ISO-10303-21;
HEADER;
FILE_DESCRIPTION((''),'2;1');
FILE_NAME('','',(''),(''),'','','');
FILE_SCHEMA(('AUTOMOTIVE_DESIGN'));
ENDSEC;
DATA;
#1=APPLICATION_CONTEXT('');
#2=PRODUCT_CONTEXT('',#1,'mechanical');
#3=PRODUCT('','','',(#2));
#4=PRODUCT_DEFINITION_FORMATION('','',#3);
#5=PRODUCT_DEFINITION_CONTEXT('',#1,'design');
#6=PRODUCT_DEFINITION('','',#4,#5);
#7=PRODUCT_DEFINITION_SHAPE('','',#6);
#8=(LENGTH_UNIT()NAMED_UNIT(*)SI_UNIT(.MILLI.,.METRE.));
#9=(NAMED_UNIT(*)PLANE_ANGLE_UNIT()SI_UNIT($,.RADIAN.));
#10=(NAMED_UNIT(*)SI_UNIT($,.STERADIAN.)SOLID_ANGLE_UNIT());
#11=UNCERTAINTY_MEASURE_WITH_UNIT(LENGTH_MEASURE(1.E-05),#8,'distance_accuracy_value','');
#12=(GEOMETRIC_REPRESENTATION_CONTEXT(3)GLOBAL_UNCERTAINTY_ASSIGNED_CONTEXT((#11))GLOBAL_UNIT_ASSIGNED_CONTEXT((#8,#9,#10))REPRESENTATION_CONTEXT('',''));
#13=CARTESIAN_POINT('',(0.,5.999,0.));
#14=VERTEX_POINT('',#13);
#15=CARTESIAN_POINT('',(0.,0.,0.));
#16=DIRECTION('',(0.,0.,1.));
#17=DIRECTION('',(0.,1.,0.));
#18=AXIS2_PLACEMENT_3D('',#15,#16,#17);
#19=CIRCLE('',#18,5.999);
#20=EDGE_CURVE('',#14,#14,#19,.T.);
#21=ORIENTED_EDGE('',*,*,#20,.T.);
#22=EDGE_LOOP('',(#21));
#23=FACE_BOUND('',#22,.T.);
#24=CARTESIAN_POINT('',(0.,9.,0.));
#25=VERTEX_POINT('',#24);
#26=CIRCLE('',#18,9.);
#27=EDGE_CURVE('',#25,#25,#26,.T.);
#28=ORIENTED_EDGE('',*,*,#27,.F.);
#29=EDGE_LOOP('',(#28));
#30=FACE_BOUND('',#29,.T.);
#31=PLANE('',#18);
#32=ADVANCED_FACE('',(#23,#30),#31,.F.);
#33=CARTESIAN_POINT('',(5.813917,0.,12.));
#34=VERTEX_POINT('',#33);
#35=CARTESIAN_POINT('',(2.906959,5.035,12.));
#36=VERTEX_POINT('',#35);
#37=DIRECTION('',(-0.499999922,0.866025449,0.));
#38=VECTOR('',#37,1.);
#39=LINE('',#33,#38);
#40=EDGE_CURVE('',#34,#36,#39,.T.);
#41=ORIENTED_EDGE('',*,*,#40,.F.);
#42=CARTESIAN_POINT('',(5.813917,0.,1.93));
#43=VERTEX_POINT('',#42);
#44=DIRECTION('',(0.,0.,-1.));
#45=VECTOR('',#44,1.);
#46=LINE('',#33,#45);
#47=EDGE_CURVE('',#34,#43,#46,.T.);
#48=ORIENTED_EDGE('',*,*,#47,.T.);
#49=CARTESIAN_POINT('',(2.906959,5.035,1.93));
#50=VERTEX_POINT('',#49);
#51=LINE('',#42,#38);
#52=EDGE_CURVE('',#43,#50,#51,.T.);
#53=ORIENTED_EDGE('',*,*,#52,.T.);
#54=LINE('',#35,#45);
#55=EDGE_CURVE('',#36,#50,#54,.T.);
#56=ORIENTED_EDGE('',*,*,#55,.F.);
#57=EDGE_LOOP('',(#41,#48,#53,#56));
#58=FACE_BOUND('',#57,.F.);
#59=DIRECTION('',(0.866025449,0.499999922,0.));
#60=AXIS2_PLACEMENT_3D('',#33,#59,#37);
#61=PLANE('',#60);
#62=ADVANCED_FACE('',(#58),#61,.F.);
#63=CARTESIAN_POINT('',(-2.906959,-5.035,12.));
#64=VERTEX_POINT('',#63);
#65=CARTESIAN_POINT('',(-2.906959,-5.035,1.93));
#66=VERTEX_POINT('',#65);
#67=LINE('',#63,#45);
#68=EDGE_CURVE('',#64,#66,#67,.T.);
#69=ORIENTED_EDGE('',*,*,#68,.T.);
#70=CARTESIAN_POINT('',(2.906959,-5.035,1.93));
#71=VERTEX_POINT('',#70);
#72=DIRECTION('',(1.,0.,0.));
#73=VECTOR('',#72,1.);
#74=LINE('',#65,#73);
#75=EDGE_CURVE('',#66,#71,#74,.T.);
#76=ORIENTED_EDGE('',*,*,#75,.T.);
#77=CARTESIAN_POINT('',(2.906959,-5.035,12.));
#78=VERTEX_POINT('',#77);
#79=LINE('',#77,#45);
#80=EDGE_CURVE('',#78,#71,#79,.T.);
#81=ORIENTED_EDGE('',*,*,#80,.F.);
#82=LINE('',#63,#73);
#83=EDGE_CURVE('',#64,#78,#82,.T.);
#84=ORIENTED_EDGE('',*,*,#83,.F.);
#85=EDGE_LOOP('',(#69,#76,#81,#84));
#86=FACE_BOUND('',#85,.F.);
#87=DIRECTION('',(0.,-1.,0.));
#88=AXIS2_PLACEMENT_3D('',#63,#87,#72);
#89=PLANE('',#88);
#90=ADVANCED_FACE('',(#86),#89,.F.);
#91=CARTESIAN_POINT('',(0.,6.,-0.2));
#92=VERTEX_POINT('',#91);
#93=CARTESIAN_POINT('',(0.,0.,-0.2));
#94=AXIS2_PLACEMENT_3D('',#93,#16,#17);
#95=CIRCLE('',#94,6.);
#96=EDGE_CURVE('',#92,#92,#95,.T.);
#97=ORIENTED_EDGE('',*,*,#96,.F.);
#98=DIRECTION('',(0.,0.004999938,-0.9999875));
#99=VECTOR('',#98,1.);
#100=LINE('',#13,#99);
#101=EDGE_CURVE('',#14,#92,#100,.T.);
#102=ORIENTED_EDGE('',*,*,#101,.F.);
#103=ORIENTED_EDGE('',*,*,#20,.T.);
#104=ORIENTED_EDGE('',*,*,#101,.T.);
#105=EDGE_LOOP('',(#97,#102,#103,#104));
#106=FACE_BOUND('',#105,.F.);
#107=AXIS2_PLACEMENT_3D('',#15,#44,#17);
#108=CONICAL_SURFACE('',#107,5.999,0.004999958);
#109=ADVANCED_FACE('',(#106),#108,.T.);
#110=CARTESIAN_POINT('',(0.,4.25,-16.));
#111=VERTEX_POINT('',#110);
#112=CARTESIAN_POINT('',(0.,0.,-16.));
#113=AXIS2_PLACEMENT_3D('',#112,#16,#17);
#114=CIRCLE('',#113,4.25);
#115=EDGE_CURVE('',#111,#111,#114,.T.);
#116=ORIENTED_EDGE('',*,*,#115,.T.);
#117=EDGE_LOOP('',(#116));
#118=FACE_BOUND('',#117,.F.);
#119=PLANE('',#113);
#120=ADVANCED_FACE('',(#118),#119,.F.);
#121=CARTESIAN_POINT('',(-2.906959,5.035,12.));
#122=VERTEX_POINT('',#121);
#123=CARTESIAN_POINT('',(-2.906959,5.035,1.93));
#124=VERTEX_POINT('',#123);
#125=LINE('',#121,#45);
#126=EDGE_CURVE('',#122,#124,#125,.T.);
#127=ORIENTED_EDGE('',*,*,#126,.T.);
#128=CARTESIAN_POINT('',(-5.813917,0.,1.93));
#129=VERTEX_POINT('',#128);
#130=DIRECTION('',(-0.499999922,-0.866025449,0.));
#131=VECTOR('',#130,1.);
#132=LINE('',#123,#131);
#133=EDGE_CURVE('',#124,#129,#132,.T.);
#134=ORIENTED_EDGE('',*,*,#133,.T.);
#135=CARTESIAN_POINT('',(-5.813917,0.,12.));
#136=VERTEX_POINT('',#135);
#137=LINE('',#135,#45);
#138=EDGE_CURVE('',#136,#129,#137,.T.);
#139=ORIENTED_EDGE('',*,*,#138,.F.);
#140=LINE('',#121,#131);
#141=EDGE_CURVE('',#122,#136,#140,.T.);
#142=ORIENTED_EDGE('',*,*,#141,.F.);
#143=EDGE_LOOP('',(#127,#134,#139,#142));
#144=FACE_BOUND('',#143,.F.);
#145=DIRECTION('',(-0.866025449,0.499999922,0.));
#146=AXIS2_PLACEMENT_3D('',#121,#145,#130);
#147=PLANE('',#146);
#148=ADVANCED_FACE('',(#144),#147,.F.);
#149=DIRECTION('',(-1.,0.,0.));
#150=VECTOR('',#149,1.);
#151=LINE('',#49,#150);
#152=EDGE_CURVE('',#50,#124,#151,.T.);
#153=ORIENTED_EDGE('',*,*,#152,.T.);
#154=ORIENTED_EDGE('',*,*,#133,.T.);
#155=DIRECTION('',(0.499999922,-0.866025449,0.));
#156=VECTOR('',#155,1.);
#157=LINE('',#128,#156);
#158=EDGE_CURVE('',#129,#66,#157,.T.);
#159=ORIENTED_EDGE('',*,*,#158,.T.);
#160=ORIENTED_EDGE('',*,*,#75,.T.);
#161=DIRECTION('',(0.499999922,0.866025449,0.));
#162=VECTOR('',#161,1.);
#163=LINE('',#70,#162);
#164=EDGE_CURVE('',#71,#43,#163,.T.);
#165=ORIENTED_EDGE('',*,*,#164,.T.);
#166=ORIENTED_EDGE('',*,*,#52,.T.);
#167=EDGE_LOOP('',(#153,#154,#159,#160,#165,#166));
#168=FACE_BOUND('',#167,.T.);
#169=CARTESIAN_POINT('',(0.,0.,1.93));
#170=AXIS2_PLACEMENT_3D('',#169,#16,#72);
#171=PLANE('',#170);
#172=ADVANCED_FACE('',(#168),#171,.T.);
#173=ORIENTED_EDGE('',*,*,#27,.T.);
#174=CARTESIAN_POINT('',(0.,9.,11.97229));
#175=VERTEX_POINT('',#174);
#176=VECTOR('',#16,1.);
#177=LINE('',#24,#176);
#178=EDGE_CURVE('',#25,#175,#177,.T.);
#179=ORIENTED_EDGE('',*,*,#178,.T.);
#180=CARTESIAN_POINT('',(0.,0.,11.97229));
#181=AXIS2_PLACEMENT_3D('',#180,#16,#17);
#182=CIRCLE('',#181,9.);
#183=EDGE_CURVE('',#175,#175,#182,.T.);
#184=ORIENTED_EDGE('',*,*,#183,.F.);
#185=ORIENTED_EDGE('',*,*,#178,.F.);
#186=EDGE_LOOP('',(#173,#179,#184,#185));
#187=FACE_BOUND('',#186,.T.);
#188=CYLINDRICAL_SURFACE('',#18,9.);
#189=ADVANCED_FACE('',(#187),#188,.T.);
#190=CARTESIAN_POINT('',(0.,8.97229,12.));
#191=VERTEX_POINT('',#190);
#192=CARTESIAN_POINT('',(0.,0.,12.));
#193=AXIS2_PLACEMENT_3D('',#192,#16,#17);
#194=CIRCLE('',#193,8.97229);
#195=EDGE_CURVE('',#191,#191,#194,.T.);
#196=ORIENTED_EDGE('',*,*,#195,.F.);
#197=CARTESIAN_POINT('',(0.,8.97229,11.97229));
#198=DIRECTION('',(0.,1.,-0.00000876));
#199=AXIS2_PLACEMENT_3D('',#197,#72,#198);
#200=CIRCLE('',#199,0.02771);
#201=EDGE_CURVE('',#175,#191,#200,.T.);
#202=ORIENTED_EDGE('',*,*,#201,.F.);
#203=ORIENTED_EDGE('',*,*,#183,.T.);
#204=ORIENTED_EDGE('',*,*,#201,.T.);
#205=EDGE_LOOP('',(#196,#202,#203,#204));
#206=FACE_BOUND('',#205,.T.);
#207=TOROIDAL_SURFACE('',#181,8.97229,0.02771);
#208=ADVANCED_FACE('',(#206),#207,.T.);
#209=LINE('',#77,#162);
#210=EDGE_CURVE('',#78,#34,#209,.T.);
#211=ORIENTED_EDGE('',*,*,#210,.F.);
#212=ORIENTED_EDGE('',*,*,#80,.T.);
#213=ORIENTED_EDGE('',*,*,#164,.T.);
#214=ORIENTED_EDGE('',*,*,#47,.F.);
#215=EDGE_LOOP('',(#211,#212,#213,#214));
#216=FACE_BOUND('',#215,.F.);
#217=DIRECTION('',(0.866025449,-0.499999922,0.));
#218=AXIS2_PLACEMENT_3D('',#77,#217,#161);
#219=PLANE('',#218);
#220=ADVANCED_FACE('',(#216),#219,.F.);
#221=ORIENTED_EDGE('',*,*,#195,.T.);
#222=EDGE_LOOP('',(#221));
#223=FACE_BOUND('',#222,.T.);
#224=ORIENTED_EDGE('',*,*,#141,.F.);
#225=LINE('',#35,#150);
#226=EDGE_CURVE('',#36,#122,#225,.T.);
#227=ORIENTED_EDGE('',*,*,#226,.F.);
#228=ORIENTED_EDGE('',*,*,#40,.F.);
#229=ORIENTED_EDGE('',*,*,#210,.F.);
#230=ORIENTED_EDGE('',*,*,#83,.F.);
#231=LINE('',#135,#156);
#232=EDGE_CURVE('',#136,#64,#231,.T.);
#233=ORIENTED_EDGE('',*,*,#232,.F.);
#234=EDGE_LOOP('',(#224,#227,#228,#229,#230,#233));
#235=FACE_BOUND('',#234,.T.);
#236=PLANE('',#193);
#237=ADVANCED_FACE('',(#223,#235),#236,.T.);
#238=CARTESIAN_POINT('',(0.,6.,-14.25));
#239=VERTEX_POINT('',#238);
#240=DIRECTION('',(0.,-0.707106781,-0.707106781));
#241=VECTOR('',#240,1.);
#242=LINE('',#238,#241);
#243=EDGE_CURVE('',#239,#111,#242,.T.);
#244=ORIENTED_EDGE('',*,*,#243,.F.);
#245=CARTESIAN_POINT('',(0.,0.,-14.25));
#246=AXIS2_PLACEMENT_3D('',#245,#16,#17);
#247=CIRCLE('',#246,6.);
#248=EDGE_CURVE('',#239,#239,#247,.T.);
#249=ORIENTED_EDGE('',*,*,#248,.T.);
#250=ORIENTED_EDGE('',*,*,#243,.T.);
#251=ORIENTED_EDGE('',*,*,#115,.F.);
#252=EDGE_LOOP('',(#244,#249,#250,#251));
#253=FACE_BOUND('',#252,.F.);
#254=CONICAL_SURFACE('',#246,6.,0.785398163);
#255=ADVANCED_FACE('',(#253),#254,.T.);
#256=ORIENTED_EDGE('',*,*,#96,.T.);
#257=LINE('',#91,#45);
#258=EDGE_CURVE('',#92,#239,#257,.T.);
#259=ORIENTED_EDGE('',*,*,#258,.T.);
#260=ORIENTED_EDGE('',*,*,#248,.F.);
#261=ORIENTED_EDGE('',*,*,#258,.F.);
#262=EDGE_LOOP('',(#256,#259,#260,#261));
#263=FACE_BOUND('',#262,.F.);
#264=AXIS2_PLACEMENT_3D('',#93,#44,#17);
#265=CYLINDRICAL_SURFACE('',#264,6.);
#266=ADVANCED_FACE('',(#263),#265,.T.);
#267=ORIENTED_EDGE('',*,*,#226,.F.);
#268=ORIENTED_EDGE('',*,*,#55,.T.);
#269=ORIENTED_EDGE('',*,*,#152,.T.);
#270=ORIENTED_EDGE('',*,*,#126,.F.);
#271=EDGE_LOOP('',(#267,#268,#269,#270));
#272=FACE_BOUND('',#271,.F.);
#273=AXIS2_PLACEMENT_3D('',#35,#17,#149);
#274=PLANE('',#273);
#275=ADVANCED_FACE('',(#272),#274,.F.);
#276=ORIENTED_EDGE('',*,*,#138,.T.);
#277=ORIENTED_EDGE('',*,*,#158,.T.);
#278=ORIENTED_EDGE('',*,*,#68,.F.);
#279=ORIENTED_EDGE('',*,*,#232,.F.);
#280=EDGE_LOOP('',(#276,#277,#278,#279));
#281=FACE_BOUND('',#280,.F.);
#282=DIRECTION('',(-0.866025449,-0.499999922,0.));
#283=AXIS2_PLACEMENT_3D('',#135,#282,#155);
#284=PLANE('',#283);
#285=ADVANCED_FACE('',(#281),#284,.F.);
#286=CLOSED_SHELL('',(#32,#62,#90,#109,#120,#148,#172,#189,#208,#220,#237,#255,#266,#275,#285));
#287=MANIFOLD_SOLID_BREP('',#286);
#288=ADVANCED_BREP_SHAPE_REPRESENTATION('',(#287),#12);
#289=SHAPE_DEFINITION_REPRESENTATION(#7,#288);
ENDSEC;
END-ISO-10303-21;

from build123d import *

# Parameters (mm, degrees)
POCKET_DEPTH = 10.07


with BuildPart() as part:
    # Sketch → Revolve (revolve)
    with BuildSketch(Plane.YZ):
        with BuildLine():
            Line((5.999, 0), (9, 0))
            Line((9, 0), (9, 11.97229))
            ThreePointArc((9, 11.97229), (8.991884, 11.991884), (8.97229, 12))
            Line((8.97229, 12), (0, 12))
            Line((0, -16), (0, 12))
            Line((4.25, -16), (0, -16))
            Line((6, -14.25), (4.25, -16))
            Line((6, -0.2), (6, -14.25))
            Line((5.999, 0), (6, -0.2))
        make_face()
    revolve(axis=Axis((0, 0, 0), (0, 0, 1)))

    # Sketch001 → Pocket (cut)
    with BuildSketch(Plane.XY.offset(12)):
        Polygon((5.813917, 0), (2.906959, 5.035), (-2.906959, 5.035), (-5.813917, 0), (-2.906959, -5.035), (2.906959, -5.035), align=None)
    extrude(amount=-POCKET_DEPTH, mode=Mode.SUBTRACT)


solid = part.part
